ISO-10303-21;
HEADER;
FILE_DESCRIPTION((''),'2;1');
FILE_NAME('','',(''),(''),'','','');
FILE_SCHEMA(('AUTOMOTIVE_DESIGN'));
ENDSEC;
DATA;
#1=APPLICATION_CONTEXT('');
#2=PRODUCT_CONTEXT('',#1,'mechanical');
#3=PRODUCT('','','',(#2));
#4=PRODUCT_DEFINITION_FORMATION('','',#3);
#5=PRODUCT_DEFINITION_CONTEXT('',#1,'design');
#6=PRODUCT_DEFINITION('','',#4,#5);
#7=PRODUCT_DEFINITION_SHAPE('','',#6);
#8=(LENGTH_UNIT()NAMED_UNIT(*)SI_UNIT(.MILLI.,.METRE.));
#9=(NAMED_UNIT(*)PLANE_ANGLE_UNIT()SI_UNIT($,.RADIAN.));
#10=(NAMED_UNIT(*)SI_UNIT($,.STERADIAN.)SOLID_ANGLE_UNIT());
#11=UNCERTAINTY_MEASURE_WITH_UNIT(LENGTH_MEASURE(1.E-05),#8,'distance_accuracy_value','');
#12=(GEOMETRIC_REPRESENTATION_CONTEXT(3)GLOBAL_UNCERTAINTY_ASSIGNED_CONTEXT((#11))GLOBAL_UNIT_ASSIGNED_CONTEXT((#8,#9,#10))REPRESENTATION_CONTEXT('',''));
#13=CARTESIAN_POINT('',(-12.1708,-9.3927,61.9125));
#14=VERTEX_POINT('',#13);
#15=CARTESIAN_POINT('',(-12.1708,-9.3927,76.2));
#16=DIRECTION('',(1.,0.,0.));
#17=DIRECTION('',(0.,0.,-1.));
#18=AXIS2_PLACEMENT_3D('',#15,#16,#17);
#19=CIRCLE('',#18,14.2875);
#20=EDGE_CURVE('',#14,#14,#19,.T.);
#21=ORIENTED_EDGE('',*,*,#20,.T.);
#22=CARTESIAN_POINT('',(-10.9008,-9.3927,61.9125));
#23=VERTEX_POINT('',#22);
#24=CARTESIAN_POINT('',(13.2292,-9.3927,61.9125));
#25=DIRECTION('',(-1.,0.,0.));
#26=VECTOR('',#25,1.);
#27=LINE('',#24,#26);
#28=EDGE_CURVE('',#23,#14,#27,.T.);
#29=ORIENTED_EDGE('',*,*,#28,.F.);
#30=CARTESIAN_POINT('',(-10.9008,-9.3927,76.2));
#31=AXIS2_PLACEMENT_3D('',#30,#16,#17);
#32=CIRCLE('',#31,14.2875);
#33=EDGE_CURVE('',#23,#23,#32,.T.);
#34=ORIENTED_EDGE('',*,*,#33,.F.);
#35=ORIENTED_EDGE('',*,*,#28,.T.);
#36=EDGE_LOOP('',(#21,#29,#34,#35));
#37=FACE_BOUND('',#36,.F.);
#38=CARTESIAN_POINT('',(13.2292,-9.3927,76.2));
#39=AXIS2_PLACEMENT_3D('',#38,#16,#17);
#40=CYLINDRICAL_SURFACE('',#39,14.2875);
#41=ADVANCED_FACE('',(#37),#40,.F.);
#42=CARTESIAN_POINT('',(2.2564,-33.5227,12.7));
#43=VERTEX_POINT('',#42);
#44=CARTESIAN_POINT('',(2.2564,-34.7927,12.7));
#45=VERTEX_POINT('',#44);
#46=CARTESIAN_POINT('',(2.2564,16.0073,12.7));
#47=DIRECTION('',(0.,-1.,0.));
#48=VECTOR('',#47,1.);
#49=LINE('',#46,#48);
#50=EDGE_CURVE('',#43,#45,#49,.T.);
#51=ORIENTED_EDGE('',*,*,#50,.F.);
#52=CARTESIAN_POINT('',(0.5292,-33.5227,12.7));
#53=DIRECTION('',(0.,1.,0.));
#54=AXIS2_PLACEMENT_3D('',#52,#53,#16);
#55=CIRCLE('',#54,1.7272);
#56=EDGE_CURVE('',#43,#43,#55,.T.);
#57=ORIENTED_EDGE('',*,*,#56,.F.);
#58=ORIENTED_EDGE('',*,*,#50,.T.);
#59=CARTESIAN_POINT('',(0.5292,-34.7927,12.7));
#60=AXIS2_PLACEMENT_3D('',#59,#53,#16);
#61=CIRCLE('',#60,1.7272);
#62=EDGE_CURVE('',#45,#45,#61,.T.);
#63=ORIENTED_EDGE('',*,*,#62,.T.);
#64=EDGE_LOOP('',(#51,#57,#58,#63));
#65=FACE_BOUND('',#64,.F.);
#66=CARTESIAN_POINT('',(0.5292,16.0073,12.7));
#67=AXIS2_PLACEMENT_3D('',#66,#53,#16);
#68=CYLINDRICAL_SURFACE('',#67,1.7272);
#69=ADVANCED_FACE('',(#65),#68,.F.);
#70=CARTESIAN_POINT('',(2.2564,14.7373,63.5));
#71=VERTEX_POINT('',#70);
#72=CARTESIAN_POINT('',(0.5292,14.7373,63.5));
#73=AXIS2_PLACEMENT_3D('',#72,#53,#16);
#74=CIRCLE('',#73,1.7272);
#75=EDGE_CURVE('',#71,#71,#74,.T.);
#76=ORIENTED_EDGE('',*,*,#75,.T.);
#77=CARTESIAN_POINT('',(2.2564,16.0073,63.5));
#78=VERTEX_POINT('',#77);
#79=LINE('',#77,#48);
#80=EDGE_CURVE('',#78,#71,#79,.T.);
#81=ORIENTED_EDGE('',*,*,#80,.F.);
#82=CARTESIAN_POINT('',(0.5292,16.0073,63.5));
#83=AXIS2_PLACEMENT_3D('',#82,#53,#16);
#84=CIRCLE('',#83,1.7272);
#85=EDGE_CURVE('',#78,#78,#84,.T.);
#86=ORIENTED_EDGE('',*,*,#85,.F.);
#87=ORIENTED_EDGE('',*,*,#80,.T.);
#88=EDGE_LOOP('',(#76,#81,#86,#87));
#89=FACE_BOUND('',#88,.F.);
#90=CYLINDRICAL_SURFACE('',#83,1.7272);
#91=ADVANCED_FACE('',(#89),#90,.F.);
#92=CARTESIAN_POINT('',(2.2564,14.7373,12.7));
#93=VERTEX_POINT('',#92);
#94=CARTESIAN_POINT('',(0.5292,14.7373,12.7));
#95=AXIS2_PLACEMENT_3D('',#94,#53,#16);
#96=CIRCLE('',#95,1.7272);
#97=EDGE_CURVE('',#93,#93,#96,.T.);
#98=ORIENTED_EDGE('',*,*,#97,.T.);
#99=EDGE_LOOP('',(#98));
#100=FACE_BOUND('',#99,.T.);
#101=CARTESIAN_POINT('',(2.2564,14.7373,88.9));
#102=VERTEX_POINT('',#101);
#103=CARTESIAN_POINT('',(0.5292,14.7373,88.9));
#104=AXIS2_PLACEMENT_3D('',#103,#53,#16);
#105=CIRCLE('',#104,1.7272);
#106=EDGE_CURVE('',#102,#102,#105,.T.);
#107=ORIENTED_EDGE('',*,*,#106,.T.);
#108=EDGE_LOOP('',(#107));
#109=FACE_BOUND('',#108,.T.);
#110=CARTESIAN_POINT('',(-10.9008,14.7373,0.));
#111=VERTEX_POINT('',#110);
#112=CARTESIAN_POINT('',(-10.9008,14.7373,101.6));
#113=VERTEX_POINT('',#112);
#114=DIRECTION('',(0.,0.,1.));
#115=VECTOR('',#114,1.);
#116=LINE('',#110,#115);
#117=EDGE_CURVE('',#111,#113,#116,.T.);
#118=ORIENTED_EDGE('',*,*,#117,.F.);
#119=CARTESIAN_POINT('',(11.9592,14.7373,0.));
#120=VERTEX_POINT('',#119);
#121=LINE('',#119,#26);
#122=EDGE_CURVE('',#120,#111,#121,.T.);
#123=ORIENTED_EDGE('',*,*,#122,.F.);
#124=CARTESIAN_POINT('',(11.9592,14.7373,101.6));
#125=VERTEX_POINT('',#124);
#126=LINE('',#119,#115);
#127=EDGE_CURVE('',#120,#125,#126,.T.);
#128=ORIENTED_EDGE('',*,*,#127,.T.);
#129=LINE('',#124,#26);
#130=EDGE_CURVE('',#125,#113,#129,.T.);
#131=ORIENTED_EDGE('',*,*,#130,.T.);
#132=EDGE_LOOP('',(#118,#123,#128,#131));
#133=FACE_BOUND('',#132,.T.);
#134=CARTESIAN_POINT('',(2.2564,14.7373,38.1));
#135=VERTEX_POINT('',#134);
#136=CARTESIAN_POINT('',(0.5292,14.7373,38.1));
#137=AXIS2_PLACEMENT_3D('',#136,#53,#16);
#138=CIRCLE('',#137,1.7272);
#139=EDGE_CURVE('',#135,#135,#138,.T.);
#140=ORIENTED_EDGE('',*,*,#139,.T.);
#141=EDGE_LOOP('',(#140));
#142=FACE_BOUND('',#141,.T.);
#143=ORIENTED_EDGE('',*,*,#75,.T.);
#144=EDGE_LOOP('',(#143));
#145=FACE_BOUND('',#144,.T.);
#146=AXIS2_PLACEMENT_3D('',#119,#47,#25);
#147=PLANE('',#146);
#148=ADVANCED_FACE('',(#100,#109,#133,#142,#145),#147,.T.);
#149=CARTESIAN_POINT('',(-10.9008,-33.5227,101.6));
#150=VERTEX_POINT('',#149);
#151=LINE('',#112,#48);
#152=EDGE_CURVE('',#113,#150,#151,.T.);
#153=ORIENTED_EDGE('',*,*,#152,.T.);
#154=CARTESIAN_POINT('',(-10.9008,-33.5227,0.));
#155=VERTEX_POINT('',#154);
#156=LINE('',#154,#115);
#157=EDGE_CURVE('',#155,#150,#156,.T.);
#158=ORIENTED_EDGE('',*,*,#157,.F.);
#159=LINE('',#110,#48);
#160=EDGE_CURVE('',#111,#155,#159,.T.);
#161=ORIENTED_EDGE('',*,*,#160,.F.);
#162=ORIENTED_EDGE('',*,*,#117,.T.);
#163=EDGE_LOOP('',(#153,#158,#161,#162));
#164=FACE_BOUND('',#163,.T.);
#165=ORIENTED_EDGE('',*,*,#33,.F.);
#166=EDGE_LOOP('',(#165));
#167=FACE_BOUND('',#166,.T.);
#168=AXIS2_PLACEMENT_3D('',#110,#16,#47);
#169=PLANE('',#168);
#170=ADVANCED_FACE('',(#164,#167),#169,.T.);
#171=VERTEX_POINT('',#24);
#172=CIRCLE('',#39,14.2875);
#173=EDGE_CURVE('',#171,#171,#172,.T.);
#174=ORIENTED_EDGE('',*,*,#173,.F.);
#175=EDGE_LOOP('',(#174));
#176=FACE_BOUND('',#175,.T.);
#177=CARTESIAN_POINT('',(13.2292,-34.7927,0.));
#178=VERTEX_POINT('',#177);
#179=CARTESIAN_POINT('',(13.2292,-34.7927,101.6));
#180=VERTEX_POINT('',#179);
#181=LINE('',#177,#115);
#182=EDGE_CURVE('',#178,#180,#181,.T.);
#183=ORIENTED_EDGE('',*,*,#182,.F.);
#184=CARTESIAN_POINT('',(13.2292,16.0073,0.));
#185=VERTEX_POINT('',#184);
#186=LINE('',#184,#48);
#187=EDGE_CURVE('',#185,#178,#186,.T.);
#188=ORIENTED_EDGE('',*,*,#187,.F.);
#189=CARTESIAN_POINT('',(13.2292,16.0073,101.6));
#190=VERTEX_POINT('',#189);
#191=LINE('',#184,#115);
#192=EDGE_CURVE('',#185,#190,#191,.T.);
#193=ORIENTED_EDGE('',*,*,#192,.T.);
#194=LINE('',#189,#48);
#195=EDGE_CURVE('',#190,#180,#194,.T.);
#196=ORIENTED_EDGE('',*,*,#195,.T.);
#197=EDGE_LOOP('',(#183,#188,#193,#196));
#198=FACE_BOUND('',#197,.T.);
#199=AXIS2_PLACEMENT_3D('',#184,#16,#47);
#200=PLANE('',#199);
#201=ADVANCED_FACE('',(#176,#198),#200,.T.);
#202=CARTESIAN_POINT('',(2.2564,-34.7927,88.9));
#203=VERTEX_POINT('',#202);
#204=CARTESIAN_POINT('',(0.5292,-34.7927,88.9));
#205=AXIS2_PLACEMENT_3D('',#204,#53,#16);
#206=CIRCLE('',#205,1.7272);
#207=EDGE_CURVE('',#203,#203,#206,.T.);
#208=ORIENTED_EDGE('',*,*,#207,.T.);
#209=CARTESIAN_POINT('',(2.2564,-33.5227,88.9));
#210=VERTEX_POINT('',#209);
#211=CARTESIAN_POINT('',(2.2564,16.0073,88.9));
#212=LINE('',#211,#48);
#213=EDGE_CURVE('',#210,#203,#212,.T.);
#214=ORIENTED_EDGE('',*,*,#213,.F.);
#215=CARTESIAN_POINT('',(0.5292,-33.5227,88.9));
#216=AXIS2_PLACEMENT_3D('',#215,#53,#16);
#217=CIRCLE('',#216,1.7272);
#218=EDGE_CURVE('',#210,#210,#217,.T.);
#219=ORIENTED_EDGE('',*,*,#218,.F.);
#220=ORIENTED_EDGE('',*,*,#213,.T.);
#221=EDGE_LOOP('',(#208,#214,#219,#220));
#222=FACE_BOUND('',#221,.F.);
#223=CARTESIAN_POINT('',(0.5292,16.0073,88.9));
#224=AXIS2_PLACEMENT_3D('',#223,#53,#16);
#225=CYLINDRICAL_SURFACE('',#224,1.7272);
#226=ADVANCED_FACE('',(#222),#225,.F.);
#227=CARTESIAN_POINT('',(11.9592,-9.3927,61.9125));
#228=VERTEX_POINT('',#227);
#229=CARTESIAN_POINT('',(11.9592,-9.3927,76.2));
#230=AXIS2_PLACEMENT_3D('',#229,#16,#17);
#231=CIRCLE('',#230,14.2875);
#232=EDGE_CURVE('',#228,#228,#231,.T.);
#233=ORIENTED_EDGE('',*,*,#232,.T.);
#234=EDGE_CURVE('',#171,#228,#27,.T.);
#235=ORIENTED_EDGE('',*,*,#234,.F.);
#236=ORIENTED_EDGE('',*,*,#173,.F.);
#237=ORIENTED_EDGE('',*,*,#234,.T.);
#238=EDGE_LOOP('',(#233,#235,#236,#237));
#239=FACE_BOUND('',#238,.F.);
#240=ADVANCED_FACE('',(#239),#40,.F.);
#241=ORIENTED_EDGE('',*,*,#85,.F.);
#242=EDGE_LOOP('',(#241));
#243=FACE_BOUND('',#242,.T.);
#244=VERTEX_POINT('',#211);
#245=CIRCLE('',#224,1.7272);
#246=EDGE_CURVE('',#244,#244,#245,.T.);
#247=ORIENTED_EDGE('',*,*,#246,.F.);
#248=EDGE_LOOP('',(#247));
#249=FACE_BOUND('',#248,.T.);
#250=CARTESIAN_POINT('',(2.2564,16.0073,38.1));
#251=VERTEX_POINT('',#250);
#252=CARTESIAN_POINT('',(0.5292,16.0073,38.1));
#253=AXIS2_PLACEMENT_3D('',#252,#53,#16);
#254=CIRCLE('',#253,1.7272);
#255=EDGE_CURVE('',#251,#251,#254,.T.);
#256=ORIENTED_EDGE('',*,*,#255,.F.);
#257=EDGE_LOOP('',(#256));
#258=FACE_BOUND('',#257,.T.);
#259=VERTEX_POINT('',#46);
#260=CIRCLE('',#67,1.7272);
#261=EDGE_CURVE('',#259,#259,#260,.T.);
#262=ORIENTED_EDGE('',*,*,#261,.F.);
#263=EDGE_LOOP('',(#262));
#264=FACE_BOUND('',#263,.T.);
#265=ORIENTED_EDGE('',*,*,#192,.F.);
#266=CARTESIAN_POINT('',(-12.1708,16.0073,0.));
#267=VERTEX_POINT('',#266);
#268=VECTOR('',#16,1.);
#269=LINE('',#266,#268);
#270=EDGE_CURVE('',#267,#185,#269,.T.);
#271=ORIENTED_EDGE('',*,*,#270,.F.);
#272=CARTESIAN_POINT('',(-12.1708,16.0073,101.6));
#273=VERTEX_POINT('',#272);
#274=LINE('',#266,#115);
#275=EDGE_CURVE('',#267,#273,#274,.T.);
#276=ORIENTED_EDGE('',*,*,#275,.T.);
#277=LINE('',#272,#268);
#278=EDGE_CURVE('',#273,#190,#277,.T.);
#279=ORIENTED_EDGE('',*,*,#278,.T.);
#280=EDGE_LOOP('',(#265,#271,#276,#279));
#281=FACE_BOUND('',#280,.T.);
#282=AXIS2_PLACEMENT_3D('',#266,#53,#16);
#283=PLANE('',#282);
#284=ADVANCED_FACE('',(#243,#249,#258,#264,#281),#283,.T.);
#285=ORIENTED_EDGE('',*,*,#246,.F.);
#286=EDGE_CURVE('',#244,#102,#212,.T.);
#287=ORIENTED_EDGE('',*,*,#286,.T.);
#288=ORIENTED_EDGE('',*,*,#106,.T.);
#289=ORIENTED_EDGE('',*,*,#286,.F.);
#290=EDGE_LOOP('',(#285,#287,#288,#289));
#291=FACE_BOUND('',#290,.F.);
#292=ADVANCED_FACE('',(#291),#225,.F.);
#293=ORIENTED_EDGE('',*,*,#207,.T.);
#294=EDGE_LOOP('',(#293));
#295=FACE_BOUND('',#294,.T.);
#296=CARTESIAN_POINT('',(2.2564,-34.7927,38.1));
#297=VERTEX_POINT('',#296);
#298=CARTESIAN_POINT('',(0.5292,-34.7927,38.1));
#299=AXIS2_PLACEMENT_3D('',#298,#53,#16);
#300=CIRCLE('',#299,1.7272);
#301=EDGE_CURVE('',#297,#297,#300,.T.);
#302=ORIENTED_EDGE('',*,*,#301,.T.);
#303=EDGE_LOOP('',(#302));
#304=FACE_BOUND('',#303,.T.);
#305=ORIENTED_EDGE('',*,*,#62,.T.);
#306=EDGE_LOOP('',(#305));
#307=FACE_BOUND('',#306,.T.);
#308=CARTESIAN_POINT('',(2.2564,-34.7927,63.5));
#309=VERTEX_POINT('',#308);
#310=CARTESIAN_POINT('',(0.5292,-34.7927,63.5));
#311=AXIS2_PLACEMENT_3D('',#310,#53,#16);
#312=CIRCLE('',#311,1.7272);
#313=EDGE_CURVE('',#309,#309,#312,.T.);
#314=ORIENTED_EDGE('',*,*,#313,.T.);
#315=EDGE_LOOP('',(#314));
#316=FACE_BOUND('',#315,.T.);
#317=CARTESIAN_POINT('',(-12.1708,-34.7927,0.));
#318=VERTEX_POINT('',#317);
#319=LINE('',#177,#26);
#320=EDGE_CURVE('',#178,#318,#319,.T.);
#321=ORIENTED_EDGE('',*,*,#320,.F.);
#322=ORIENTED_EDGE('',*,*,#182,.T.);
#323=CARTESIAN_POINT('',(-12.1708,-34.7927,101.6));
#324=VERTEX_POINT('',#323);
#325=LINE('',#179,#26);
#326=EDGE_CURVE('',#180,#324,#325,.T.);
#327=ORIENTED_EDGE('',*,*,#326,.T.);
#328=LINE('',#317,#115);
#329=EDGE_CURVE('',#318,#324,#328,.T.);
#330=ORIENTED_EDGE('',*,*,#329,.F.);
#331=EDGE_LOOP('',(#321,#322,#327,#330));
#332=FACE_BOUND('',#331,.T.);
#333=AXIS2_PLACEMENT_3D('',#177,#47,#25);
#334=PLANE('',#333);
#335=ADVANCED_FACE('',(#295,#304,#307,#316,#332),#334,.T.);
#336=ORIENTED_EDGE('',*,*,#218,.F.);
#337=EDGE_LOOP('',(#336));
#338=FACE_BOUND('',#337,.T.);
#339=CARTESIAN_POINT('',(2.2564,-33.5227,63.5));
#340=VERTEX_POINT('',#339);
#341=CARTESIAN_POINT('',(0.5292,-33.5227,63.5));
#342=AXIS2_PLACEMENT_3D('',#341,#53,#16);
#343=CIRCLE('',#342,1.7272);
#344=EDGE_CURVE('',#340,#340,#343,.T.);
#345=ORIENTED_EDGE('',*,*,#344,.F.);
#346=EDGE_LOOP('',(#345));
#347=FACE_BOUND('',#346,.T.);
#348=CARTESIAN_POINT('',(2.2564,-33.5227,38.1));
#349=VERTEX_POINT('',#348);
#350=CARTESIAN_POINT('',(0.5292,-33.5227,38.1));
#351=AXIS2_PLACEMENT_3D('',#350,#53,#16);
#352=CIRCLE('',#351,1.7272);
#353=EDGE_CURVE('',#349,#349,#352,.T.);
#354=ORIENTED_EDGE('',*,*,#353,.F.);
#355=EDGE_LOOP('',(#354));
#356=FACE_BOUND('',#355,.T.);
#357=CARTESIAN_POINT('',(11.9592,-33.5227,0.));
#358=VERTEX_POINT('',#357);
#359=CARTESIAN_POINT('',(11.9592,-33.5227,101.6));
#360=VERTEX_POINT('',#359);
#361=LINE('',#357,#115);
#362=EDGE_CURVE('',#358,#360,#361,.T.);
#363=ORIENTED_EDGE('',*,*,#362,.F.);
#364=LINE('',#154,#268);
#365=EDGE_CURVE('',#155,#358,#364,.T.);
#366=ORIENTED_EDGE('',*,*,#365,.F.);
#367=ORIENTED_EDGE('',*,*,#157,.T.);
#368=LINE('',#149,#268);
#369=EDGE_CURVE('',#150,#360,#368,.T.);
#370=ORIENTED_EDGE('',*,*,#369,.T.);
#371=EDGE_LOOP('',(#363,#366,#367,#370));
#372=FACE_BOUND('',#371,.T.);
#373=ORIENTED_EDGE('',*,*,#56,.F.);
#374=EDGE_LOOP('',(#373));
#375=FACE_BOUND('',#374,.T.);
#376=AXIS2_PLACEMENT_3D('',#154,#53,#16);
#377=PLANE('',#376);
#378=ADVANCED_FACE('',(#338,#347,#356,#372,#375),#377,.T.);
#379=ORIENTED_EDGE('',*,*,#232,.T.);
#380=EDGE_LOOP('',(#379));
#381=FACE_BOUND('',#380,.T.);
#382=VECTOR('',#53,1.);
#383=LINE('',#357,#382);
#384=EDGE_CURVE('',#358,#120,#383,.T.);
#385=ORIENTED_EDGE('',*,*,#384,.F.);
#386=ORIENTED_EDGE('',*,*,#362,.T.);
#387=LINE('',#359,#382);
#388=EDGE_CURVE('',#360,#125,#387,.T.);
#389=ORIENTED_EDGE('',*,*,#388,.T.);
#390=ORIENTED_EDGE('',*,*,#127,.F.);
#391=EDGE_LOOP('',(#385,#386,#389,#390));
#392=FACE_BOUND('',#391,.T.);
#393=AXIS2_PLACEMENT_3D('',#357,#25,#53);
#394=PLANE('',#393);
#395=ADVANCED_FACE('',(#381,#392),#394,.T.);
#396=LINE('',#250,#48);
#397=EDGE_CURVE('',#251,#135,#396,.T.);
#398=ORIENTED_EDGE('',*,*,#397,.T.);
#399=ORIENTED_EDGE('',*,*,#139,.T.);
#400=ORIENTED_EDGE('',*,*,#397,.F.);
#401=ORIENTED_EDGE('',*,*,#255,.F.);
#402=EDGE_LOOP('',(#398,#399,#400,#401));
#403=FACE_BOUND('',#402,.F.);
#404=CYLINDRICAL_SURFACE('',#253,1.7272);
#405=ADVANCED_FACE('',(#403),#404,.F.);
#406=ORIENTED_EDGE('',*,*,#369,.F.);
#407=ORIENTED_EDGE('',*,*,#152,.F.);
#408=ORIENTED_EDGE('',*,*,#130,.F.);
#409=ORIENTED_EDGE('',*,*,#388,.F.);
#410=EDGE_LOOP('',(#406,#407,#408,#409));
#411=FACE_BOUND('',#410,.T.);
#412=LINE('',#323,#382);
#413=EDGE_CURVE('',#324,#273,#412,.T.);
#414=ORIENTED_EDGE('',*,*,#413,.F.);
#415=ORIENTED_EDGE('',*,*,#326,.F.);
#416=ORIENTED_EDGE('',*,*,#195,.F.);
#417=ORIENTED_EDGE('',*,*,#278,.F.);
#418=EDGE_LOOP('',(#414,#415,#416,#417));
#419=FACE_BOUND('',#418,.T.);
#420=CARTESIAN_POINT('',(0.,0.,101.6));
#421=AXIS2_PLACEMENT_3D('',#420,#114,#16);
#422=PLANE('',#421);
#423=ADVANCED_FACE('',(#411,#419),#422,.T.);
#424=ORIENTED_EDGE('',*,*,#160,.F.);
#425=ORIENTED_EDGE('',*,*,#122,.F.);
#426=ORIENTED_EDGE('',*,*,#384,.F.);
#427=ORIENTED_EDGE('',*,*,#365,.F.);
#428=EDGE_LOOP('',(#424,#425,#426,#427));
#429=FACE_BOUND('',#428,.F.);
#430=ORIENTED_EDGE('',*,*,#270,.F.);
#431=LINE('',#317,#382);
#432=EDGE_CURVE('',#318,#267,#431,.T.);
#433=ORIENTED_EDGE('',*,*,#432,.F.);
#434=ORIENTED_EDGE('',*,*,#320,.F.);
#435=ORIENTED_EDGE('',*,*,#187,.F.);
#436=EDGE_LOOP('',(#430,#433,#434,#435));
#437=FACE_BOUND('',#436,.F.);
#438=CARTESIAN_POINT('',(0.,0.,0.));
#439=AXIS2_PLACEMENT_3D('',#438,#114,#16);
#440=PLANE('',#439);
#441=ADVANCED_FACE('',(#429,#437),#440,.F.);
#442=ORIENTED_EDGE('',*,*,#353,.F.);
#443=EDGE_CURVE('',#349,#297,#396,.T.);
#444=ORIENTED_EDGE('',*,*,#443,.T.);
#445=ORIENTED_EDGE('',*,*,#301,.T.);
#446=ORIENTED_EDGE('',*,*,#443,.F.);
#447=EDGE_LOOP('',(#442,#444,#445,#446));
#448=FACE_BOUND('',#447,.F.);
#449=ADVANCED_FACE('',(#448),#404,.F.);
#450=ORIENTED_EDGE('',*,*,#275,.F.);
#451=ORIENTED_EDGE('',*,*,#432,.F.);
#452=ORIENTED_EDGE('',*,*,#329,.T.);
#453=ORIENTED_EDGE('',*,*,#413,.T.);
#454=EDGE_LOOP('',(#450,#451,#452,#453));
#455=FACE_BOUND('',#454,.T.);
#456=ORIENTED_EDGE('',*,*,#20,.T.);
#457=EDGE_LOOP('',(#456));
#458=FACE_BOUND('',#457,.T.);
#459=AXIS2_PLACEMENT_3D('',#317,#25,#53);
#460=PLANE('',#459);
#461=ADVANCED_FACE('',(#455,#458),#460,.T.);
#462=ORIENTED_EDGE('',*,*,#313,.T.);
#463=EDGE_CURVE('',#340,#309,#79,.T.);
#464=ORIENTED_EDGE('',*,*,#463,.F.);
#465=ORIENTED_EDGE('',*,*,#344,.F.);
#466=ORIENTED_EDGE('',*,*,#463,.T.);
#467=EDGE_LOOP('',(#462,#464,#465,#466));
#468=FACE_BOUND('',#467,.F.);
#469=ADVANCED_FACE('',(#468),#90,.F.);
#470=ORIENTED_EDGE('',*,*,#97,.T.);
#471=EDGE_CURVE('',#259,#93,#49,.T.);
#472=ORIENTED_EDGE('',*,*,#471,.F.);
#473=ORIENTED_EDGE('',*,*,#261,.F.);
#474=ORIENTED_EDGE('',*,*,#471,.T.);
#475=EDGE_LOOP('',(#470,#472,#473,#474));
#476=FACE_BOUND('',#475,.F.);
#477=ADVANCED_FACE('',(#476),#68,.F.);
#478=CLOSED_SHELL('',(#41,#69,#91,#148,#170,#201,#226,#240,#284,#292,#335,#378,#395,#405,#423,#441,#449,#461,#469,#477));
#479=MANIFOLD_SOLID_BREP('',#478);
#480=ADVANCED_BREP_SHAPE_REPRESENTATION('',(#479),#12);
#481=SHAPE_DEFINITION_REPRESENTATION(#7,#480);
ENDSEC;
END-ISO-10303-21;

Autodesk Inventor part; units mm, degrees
ref_plane "YZ Plane" through (0, 0, 0) normal (1, 0, 0) x (0, 1, 0)
ref_plane "XZ Plane" through (0, 0, 0) normal (0, 1, 0) x (-1, 0, 0)
ref_plane "XY Plane" through (0, 0, 0) normal (0, 0, 1) x (1, 0, 0)
sketch "Sketch1" plane through (0, 0, 0) normal (0, 0, 1) x (1, 0, 0)
  line L0 (-12.1708, 16.0073) -> (13.2292, 16.0073)
  line L1 (13.2292, 16.0073) -> (13.2292, -34.7927)
  line L2 (13.2292, -34.7927) -> (-12.1708, -34.7927)
  line L3 (-12.1708, -34.7927) -> (-12.1708, 16.0073)
  line L4 (11.9592, 14.7373) -> (-10.9008, 14.7373)
  line L5 (-10.9008, 14.7373) -> (-10.9008, -33.5227)
  line L6 (-10.9008, -33.5227) -> (11.9592, -33.5227)
  line L7 (11.9592, -33.5227) -> (11.9592, 14.7373)
  point P0 (0, 0)
  dimension "d0" = 25.4
  dimension "d1" = 50.8
  dimension "d2" = 1.27
extrude "Extrusion1" add sketch "Sketch1" along normal blind 101.6
sketch "Sketch2" plane through (-12.1708, 16.0073, 0) normal (0, 1, 0) x (1, 0, 0)
  circle A0 centre (12.7, -12.7) radius 1.7272
  line L0 (25.4, 0) -> (0, 0) projected
  line L1 (0, 0) -> (0, -101.6) projected
  point P0 (12.1708, 0)
  dimension "d5" = 3.4544
  dimension "d6" = 12.7
  dimension "d7" = 12.7
extrude "Extrusion2" cut sketch "Sketch2" against normal through all
pattern_linear "Rectangular Pattern1" count 10 spacing 25.4 along (0, 0, 1) of "Extrusion2"
sketch "Sketch4" plane through (13.2292, -34.7927, 0) normal (1, 0, 0) x (0, 0, -1)
  circle A0 centre (-76.2, 25.4) radius 14.2875
  line L0 (-101.6, 0) -> (-101.6, 50.8) projected
  point P0 (0, 34.7927)
  dimension "d19" = 28.575
  dimension "d20" = 25.4
extrude "Extrusion4" cut sketch "Sketch4" against normal through all
equation "\"d3\" = d13"
equation "\"d10\" = d14"
equation "\"d13\" = 101.6"
equation "\"d14\" = d13"
properties part number "Elevator VersaframeBacktrack"
